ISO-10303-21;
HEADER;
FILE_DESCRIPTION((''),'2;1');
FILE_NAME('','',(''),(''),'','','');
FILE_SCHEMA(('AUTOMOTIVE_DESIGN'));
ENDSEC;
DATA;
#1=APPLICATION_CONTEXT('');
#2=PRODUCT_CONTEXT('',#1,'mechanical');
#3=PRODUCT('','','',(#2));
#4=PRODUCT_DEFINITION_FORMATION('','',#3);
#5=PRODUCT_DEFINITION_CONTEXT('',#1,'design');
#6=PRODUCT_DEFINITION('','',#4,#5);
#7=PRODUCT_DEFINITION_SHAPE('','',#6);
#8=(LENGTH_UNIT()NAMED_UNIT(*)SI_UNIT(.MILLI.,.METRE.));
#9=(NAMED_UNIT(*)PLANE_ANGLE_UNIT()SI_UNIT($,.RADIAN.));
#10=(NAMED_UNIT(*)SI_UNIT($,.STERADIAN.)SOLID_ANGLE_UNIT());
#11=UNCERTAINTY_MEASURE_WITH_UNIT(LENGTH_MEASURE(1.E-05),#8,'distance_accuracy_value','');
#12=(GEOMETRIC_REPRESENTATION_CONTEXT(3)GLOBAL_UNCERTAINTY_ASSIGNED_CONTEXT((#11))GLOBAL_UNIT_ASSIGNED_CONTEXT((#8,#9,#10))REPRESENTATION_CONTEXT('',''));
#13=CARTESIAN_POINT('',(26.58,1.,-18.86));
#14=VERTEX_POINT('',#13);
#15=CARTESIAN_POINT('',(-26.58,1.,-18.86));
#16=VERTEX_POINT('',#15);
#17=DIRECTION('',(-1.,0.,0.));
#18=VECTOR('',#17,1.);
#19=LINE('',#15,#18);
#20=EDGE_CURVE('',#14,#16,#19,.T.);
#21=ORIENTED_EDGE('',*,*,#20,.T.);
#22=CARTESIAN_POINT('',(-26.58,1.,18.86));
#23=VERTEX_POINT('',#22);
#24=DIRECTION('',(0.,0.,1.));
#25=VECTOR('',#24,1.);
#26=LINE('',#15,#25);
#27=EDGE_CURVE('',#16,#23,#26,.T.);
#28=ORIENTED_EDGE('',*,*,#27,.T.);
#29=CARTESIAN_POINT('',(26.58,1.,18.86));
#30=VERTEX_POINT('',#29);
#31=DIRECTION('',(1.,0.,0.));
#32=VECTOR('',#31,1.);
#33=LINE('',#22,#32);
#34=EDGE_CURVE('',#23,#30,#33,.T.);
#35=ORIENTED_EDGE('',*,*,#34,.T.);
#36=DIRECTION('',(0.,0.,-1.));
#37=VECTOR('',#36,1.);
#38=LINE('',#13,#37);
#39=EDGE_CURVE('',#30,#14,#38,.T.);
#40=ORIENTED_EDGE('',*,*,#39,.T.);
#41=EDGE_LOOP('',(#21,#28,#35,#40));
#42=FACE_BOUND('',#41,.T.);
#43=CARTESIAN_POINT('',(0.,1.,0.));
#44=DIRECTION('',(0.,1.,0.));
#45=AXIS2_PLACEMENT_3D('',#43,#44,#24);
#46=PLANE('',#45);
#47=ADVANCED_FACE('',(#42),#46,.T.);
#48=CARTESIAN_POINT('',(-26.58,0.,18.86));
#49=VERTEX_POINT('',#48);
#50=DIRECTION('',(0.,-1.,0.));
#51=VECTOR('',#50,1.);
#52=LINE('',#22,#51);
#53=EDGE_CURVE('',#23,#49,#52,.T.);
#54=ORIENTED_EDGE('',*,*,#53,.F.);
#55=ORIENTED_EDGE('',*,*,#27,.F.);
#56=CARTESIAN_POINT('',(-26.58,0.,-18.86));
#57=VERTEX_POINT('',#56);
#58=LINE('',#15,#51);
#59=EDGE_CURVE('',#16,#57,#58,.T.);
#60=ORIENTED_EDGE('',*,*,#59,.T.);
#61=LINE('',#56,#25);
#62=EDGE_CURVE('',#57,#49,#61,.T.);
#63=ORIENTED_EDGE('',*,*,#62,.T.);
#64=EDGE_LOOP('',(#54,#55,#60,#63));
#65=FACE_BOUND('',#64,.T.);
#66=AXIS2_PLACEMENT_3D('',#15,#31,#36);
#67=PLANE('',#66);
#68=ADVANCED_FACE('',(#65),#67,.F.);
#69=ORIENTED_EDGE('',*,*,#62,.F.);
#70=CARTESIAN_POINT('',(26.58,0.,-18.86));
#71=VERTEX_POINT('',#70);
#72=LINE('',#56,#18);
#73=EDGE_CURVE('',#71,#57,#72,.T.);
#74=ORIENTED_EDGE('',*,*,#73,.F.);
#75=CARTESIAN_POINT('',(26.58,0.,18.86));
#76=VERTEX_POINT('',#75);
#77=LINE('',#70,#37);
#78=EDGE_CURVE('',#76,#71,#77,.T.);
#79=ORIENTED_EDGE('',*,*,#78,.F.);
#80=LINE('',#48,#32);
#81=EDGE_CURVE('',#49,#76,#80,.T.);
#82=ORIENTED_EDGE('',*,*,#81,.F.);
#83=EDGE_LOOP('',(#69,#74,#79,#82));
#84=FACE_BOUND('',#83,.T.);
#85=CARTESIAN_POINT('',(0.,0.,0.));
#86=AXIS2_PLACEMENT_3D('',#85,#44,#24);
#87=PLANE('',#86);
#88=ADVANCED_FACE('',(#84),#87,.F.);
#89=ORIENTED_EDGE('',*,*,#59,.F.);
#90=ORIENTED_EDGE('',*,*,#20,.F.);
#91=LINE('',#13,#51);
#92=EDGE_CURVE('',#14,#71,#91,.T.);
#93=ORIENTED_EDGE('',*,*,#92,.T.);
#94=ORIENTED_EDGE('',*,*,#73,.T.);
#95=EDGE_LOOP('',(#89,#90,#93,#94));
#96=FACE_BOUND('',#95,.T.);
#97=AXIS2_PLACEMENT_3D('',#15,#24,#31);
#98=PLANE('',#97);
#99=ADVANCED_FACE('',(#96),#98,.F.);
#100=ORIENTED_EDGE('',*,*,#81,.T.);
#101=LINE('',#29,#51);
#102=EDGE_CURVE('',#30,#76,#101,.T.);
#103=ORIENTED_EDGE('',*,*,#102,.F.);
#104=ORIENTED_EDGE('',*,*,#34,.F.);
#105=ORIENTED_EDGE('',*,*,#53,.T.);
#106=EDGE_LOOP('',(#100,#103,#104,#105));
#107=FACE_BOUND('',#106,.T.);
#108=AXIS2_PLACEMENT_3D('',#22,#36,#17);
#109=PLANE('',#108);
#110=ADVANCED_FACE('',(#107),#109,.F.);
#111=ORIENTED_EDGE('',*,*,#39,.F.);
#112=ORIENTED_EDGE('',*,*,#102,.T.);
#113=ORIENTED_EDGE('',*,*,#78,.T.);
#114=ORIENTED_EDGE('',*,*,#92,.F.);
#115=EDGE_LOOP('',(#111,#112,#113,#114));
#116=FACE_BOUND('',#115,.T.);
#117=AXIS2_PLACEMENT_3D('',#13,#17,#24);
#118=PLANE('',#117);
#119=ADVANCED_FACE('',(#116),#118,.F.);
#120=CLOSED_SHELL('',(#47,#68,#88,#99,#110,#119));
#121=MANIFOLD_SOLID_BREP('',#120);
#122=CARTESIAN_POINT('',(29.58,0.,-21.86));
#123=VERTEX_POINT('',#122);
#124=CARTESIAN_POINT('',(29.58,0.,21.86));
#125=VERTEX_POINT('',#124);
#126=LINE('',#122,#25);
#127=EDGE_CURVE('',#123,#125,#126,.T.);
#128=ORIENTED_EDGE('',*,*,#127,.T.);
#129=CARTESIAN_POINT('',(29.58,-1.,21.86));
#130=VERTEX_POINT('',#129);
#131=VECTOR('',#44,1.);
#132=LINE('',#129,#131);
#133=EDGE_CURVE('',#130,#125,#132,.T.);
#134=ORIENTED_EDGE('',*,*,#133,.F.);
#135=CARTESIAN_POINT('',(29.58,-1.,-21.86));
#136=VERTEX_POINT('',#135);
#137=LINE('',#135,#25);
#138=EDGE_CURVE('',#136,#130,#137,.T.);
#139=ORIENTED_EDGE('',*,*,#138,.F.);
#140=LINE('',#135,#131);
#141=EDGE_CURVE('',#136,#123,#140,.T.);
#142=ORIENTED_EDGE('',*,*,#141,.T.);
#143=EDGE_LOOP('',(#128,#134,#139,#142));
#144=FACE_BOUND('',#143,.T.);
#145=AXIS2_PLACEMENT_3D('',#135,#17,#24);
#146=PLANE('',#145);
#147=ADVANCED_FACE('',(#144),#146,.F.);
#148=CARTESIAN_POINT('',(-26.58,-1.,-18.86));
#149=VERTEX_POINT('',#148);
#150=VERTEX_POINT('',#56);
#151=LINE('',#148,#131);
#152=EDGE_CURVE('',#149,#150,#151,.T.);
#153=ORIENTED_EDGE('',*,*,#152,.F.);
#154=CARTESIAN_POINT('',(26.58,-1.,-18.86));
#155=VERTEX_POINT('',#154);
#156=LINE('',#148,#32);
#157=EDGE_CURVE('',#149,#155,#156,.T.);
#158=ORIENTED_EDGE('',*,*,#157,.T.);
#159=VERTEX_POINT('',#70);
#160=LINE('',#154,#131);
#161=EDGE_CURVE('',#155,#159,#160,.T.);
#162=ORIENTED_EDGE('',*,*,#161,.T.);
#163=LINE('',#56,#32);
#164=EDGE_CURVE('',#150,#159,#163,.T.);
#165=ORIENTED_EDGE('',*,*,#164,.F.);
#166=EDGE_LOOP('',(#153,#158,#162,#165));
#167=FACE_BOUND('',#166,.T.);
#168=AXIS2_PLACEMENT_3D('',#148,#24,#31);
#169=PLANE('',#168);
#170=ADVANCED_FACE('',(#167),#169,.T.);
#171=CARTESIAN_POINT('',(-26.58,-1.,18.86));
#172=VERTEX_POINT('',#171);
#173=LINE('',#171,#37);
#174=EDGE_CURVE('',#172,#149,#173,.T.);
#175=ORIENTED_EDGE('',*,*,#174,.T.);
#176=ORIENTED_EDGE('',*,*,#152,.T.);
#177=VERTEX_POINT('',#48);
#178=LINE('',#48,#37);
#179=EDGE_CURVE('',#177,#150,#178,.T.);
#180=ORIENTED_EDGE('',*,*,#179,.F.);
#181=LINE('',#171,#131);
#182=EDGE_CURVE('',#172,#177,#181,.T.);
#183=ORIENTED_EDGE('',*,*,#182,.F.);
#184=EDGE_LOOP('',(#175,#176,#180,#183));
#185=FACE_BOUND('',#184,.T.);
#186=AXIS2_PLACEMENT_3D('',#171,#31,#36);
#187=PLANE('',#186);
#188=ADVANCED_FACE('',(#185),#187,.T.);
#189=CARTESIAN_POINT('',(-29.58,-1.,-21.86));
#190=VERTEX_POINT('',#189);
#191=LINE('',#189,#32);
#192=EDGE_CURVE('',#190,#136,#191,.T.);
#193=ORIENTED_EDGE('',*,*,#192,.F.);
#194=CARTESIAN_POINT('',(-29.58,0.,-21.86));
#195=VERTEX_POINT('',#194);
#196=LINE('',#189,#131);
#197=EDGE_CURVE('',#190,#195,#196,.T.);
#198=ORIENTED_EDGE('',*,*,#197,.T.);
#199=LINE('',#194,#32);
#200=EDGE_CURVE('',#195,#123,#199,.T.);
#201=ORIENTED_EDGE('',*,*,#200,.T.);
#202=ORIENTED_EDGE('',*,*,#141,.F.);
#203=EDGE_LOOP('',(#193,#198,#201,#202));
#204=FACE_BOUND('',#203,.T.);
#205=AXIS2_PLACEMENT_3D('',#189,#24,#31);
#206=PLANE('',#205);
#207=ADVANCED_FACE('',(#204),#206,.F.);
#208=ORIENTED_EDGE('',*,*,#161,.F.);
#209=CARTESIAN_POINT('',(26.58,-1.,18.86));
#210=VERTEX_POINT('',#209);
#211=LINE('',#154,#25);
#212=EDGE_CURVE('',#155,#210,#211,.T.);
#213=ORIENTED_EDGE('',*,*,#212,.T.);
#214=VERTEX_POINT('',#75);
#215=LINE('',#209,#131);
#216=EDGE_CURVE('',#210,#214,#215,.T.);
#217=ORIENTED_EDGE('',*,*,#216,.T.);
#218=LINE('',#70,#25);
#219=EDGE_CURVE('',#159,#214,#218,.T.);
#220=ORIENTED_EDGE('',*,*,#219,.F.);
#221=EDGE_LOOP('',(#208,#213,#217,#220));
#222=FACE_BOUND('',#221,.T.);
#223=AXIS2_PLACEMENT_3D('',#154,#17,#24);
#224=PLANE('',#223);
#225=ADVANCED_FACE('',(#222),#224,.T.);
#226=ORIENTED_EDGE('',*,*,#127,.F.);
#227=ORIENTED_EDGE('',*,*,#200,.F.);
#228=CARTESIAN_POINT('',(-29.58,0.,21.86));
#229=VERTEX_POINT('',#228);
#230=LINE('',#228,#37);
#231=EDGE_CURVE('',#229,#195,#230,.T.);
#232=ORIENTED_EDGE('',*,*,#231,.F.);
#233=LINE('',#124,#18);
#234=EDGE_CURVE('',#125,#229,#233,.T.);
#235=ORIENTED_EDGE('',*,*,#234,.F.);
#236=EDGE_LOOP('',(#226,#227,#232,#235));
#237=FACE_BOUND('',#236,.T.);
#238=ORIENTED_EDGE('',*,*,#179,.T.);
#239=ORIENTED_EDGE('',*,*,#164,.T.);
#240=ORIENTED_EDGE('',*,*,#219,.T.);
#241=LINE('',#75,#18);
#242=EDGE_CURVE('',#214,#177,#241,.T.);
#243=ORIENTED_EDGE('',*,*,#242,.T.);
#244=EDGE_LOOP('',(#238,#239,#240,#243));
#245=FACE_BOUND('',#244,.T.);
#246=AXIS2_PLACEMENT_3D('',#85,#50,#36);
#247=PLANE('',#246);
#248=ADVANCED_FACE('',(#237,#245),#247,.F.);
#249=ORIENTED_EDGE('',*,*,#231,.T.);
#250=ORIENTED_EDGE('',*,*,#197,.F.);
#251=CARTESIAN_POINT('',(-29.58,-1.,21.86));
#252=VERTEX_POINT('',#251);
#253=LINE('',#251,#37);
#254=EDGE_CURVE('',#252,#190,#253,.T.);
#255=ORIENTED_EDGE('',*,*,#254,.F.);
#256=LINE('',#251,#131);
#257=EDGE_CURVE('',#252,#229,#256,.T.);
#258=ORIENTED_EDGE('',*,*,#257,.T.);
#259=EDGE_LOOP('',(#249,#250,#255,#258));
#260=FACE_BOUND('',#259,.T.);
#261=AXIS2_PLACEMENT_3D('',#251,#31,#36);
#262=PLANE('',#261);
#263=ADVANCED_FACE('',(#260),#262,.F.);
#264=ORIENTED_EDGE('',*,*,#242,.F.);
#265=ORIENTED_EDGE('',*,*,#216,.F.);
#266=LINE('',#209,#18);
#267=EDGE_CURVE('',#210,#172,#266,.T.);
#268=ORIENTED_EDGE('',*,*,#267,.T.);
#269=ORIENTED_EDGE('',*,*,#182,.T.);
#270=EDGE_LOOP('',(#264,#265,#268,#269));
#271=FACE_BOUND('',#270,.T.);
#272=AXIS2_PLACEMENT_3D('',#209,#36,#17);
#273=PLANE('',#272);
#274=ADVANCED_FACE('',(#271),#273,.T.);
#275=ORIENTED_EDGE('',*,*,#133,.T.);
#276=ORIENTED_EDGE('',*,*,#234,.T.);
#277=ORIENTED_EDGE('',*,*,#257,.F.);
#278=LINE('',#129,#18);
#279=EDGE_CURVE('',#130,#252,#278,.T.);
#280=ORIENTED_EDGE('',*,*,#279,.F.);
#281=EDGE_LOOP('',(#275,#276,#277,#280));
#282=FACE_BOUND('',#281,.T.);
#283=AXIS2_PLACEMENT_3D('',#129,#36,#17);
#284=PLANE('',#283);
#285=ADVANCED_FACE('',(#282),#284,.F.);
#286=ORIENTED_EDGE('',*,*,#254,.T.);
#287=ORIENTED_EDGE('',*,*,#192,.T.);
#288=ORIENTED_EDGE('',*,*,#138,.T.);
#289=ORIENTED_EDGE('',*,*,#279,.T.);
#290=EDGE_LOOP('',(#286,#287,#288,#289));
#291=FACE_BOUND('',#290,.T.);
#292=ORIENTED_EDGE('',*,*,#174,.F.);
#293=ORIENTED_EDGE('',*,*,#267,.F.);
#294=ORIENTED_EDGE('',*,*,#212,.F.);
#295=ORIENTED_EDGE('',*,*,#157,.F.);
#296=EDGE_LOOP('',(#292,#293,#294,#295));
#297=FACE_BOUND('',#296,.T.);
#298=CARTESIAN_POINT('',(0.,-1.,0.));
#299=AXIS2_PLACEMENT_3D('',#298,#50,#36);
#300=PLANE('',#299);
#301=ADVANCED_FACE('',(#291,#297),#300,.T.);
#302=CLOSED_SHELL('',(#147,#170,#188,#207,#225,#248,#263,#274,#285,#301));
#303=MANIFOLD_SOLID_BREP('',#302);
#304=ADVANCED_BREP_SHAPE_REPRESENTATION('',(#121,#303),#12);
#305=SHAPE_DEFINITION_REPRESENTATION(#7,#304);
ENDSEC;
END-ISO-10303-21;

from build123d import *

# Parameters (mm, degrees)
SKETCH1_W           = 53.16
SKETCH1_H           = 37.72
BOSS_EXTRUDE1_DEPTH = 1
SKETCH2_W           = 59.16
SKETCH2_H           = 43.72
SKETCH2_W_2         = 53.16
SKETCH2_H_2         = 37.72
BOSS_EXTRUDE2_DEPTH = 1


with BuildPart() as part:
    # Sketch1 → Boss-Extrude1 (new body)
    with BuildSketch(Plane(origin=(0, 0, 0), x_dir=(1, 0, 0), z_dir=(0, 1, 0))):
        Rectangle(SKETCH1_W, SKETCH1_H)
    extrude(amount=BOSS_EXTRUDE1_DEPTH)


with BuildPart() as body_2:
    # Sketch2 → Boss-Extrude2 (new body)
    with BuildSketch(Plane.XZ):
        Rectangle(SKETCH2_W, SKETCH2_H)
        Rectangle(SKETCH2_W_2, SKETCH2_H_2, mode=Mode.SUBTRACT)
    extrude(amount=BOSS_EXTRUDE2_DEPTH)


solid = Compound([part.part, body_2.part])
